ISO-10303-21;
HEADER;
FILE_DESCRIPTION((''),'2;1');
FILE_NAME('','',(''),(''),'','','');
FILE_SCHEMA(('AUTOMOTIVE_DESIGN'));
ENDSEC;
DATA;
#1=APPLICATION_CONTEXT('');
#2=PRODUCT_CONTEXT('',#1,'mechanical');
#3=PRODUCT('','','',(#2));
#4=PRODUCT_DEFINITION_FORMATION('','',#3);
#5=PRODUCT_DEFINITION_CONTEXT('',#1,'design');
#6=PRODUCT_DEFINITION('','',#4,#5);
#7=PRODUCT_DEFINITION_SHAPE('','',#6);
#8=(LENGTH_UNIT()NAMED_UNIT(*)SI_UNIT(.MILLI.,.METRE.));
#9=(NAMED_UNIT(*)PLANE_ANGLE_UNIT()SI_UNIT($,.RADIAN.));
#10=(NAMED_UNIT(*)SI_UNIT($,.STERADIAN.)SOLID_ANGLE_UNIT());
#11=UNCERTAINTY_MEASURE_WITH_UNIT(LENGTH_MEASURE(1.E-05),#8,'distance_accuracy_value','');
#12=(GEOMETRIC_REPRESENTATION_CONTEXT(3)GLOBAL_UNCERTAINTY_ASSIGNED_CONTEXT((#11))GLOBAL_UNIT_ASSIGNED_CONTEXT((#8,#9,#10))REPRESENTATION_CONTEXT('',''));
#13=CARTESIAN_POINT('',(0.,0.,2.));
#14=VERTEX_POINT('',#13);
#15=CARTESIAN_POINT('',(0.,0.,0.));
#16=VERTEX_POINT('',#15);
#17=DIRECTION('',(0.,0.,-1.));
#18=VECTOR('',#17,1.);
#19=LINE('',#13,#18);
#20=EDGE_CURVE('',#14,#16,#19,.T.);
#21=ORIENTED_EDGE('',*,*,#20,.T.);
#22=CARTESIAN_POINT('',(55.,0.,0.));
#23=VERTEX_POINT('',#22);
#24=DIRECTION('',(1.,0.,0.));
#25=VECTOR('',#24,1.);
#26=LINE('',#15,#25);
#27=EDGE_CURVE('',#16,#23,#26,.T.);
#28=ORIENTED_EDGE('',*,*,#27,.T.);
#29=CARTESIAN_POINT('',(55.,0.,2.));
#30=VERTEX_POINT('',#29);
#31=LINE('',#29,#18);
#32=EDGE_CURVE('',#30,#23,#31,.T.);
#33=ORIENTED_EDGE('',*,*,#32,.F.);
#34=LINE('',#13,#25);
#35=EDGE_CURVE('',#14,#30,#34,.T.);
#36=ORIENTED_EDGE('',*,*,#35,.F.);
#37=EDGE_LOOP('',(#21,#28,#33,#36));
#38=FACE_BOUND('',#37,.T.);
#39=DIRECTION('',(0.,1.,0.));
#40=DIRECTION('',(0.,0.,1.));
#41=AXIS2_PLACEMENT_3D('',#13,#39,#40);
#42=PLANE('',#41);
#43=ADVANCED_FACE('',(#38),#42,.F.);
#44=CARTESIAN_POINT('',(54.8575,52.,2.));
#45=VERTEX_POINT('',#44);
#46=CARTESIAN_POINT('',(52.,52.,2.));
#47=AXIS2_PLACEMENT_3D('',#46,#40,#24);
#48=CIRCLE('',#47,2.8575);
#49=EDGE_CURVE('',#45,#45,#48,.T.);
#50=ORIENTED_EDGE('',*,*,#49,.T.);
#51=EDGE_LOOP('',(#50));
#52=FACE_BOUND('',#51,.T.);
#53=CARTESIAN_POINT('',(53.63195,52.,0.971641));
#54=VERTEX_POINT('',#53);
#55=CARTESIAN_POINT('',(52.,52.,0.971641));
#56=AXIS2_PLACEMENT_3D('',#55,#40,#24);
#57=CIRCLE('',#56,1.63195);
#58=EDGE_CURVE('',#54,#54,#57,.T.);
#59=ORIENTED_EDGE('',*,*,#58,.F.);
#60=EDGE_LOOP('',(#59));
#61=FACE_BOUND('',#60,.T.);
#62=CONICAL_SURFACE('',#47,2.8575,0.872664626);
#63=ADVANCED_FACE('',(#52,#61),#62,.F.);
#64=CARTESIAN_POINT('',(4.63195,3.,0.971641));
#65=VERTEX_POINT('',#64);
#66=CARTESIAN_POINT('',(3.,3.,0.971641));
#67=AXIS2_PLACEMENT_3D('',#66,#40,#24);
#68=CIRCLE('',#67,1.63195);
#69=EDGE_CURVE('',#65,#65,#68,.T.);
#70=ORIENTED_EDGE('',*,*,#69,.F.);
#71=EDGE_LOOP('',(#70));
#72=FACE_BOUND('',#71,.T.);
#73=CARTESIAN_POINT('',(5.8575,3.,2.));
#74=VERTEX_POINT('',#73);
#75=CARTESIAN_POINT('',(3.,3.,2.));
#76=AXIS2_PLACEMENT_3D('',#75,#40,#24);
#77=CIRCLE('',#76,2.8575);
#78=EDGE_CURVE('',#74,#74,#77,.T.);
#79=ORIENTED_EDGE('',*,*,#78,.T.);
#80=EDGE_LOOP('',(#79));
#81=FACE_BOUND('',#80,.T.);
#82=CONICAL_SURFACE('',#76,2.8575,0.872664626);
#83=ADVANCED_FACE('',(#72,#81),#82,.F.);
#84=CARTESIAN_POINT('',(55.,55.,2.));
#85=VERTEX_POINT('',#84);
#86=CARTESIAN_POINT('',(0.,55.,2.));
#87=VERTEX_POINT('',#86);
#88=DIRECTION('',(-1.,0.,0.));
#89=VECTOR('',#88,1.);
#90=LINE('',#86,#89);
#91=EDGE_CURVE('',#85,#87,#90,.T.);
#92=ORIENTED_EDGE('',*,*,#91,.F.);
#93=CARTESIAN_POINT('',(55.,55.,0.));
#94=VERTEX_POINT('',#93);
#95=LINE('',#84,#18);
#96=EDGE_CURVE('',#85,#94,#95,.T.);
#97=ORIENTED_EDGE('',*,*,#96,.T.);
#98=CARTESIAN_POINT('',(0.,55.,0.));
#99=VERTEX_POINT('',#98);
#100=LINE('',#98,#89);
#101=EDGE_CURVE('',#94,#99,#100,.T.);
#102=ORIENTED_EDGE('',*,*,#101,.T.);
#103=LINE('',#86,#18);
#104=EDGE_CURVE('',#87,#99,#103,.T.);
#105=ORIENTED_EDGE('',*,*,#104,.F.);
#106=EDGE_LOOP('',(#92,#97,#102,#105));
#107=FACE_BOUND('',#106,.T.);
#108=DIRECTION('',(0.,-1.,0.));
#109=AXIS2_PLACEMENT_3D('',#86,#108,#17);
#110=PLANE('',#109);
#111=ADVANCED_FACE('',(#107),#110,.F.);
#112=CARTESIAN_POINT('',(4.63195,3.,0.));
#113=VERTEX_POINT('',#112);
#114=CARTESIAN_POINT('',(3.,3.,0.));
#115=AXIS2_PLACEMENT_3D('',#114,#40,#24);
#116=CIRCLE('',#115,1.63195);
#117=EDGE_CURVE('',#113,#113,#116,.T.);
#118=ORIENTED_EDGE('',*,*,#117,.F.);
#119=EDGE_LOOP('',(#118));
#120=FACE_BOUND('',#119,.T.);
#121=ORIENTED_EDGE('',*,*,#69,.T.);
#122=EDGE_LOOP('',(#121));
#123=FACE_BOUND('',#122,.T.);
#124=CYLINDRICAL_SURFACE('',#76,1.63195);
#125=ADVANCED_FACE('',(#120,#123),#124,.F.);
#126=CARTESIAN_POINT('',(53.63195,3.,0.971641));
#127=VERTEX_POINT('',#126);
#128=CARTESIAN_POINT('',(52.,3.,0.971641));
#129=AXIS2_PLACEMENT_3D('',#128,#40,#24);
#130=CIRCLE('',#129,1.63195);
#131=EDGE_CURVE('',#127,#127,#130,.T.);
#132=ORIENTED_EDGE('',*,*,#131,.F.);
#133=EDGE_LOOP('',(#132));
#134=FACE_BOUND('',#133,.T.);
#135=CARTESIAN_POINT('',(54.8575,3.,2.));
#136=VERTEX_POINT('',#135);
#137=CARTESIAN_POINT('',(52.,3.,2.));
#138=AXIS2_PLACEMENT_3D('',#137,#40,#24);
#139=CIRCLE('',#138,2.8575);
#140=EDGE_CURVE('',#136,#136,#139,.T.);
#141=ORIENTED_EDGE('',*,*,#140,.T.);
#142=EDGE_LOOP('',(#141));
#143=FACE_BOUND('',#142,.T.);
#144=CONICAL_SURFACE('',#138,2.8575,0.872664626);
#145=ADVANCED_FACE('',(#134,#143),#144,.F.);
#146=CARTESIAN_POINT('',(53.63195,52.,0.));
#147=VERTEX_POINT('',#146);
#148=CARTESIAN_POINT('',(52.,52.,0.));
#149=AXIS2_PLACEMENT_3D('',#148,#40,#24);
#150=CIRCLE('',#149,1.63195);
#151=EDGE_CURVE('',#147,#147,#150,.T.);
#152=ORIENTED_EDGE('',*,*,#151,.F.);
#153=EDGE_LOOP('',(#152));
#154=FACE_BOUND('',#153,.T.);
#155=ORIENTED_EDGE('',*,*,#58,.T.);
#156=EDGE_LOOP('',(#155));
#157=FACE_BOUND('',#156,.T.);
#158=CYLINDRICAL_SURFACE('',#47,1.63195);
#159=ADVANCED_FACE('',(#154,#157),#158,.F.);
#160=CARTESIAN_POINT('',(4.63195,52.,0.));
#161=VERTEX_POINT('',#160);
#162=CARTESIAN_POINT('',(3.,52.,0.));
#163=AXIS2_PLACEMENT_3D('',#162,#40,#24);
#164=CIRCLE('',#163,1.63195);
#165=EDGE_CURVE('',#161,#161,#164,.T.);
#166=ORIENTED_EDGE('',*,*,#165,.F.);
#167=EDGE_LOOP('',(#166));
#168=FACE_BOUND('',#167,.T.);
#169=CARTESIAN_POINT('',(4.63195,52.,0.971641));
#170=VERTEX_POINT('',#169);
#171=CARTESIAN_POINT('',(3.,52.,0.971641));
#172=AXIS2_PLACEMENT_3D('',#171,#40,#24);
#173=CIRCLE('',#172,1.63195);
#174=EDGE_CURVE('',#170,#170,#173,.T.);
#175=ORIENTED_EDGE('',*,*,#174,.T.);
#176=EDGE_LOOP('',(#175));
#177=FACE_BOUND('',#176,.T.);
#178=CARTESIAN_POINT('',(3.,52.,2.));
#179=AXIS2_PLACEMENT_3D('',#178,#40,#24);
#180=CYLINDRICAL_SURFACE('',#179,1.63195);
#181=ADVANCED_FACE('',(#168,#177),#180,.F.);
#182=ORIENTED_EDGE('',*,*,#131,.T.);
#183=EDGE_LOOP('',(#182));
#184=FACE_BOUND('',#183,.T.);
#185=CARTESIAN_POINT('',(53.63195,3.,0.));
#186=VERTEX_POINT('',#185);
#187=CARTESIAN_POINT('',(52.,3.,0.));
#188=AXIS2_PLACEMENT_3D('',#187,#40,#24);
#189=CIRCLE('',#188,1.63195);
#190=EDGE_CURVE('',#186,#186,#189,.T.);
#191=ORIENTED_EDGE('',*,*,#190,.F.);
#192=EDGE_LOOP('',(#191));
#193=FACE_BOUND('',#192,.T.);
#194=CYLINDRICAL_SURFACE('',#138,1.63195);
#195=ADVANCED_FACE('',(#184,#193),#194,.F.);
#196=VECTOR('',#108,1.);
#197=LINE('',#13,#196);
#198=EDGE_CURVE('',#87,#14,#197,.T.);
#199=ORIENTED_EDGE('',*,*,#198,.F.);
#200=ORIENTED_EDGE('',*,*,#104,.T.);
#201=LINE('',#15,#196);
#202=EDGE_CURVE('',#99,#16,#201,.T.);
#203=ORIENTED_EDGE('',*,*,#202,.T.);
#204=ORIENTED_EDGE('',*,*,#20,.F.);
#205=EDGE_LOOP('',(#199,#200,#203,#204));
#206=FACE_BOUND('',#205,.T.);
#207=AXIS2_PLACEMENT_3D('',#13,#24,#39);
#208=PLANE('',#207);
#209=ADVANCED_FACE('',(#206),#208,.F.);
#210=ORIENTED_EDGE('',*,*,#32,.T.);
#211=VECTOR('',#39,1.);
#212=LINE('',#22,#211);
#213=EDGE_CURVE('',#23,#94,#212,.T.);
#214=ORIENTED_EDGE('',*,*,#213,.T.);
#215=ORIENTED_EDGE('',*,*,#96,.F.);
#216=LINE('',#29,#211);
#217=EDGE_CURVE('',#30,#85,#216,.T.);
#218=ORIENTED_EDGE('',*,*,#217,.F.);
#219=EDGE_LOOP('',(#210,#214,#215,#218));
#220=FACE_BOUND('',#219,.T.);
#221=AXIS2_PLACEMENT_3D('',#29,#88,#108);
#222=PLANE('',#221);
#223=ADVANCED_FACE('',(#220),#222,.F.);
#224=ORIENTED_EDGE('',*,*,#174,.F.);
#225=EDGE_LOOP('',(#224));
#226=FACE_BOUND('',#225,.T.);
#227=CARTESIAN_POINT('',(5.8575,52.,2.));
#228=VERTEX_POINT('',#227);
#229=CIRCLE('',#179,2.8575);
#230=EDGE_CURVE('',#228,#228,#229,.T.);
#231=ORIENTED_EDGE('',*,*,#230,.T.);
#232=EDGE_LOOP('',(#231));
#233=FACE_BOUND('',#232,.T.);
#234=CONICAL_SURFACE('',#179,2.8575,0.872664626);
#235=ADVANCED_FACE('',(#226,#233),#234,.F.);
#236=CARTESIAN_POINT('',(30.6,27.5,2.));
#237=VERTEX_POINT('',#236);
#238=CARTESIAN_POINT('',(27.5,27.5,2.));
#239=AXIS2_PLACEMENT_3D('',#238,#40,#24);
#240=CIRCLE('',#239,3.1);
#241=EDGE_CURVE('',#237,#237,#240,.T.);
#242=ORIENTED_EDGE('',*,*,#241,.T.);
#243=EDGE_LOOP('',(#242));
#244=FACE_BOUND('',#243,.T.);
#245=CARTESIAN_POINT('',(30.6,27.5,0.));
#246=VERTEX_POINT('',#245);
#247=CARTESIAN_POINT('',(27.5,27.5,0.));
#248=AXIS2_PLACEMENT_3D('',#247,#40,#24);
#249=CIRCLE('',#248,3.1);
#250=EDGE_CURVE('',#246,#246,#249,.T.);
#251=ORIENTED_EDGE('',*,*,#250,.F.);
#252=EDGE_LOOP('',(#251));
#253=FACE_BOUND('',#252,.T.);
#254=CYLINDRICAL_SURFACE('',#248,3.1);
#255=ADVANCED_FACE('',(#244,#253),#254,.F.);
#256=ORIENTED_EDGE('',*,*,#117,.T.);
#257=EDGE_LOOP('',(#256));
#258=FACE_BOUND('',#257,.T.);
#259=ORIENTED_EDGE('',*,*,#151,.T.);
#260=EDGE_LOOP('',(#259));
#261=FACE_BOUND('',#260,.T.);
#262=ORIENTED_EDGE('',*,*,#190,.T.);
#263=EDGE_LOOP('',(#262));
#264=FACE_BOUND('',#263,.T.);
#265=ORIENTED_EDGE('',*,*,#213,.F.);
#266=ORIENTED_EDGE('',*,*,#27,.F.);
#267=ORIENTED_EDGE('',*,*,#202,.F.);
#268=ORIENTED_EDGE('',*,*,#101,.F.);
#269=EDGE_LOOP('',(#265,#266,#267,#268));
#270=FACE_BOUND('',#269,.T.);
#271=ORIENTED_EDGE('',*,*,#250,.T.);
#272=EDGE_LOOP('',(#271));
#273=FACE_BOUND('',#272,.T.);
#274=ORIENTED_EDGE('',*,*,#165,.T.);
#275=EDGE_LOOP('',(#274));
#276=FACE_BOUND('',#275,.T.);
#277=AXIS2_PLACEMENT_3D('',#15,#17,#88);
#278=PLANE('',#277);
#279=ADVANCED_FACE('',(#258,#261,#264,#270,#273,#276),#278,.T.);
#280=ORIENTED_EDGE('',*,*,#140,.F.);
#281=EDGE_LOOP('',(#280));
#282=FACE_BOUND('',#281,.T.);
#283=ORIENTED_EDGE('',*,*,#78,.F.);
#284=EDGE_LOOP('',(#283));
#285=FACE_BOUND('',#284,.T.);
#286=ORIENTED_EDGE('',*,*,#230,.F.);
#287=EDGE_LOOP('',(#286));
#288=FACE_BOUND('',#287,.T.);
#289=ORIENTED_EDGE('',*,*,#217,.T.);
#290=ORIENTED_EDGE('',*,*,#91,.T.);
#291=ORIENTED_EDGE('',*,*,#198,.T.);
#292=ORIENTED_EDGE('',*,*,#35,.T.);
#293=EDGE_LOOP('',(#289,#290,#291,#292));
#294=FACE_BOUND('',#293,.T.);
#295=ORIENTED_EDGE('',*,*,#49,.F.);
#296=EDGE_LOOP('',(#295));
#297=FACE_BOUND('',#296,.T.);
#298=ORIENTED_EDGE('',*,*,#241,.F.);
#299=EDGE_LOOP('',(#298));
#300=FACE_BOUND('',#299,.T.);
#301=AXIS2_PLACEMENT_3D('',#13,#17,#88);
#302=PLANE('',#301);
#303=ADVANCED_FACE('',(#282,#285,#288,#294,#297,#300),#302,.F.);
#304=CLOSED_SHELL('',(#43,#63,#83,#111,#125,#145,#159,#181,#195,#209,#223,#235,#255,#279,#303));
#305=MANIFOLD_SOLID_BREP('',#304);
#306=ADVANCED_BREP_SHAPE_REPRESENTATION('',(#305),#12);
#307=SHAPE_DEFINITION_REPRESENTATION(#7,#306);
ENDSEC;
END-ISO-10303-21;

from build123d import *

# Parameters (mm, degrees)
SKETCH1_W                                 = 55
SKETCH1_H                                 = 55
BOSS_EXTRUDE1_DEPTH                       = 2
SKETCH3_R                                 = 3.1
CUT_EXTRUDE1_DEPTH                        = 78.807454656
CSK_FOR_4_FLAT_HEAD_MACHINE_SCREW_2_COUNT = 2
CSK_FOR_4_FLAT_HEAD_MACHINE_SCREW_2_PITCH = 49
CSK_FOR_4_FLAT_HEAD_MACHINE_SCREW_3_COUNT = 2
CSK_FOR_4_FLAT_HEAD_MACHINE_SCREW_3_PITCH = 69.296464556
CSK_FOR_4_FLAT_HEAD_MACHINE_SCREW_4_COUNT = 2
CSK_FOR_4_FLAT_HEAD_MACHINE_SCREW_4_PITCH = 49


with BuildPart() as part:
    # Sketch1 → Boss-Extrude1 (new body)
    with BuildSketch(Plane.XY):
        with Locations((27.5, 27.5)):
            Rectangle(SKETCH1_W, SKETCH1_H)
    extrude(amount=BOSS_EXTRUDE1_DEPTH)

    # Sketch3 → Cut-Extrude1 (cut, through all)
    with BuildSketch(Plane.XY.offset(2)):
        with Locations((27.5, 27.5)):
            Circle(SKETCH3_R)
    extrude(amount=-CUT_EXTRUDE1_DEPTH, mode=Mode.SUBTRACT)

    # Sketch5 → CSK for #4 Flat Head Machine Screw (100)1 (revolve, cut)
    with BuildSketch(Plane(origin=(3, 52, 2), x_dir=(0, -1, 0), z_dir=(1, 0, 0))):
        Polygon((0, 0), (0, 2), (1.63195, 2), (1.63195, 1.028358553), (2.8575, 0), align=None)
    csk_for_4_flat_head_machine_screw_100 = revolve(axis=Axis((3, 52, 8.35), (0, 0, -1)), mode=Mode.SUBTRACT)

    # CSK for _4 Flat Head Machine Screw _ 2: CSK for #4 Flat Head Machine Screw (100)1 ×2
    with Locations(*[(i * CSK_FOR_4_FLAT_HEAD_MACHINE_SCREW_2_PITCH, 0, 0) for i in range(1, CSK_FOR_4_FLAT_HEAD_MACHINE_SCREW_2_COUNT)]):
        add(csk_for_4_flat_head_machine_screw_100, mode=Mode.SUBTRACT)

    # CSK for _4 Flat Head Machine Screw _ 3: CSK for #4 Flat Head Machine Screw (100)1 ×2
    with Locations(*[Vector(0.7071067811865477, -0.7071067811865475, 0) * (i * CSK_FOR_4_FLAT_HEAD_MACHINE_SCREW_3_PITCH) for i in range(1, CSK_FOR_4_FLAT_HEAD_MACHINE_SCREW_3_COUNT)]):
        add(csk_for_4_flat_head_machine_screw_100, mode=Mode.SUBTRACT)

    # CSK for _4 Flat Head Machine Screw _ 4: CSK for #4 Flat Head Machine Screw (100)1 ×2
    with Locations(*[(0, -i * CSK_FOR_4_FLAT_HEAD_MACHINE_SCREW_4_PITCH, 0) for i in range(1, CSK_FOR_4_FLAT_HEAD_MACHINE_SCREW_4_COUNT)]):
        add(csk_for_4_flat_head_machine_screw_100, mode=Mode.SUBTRACT)


solid = part.part
